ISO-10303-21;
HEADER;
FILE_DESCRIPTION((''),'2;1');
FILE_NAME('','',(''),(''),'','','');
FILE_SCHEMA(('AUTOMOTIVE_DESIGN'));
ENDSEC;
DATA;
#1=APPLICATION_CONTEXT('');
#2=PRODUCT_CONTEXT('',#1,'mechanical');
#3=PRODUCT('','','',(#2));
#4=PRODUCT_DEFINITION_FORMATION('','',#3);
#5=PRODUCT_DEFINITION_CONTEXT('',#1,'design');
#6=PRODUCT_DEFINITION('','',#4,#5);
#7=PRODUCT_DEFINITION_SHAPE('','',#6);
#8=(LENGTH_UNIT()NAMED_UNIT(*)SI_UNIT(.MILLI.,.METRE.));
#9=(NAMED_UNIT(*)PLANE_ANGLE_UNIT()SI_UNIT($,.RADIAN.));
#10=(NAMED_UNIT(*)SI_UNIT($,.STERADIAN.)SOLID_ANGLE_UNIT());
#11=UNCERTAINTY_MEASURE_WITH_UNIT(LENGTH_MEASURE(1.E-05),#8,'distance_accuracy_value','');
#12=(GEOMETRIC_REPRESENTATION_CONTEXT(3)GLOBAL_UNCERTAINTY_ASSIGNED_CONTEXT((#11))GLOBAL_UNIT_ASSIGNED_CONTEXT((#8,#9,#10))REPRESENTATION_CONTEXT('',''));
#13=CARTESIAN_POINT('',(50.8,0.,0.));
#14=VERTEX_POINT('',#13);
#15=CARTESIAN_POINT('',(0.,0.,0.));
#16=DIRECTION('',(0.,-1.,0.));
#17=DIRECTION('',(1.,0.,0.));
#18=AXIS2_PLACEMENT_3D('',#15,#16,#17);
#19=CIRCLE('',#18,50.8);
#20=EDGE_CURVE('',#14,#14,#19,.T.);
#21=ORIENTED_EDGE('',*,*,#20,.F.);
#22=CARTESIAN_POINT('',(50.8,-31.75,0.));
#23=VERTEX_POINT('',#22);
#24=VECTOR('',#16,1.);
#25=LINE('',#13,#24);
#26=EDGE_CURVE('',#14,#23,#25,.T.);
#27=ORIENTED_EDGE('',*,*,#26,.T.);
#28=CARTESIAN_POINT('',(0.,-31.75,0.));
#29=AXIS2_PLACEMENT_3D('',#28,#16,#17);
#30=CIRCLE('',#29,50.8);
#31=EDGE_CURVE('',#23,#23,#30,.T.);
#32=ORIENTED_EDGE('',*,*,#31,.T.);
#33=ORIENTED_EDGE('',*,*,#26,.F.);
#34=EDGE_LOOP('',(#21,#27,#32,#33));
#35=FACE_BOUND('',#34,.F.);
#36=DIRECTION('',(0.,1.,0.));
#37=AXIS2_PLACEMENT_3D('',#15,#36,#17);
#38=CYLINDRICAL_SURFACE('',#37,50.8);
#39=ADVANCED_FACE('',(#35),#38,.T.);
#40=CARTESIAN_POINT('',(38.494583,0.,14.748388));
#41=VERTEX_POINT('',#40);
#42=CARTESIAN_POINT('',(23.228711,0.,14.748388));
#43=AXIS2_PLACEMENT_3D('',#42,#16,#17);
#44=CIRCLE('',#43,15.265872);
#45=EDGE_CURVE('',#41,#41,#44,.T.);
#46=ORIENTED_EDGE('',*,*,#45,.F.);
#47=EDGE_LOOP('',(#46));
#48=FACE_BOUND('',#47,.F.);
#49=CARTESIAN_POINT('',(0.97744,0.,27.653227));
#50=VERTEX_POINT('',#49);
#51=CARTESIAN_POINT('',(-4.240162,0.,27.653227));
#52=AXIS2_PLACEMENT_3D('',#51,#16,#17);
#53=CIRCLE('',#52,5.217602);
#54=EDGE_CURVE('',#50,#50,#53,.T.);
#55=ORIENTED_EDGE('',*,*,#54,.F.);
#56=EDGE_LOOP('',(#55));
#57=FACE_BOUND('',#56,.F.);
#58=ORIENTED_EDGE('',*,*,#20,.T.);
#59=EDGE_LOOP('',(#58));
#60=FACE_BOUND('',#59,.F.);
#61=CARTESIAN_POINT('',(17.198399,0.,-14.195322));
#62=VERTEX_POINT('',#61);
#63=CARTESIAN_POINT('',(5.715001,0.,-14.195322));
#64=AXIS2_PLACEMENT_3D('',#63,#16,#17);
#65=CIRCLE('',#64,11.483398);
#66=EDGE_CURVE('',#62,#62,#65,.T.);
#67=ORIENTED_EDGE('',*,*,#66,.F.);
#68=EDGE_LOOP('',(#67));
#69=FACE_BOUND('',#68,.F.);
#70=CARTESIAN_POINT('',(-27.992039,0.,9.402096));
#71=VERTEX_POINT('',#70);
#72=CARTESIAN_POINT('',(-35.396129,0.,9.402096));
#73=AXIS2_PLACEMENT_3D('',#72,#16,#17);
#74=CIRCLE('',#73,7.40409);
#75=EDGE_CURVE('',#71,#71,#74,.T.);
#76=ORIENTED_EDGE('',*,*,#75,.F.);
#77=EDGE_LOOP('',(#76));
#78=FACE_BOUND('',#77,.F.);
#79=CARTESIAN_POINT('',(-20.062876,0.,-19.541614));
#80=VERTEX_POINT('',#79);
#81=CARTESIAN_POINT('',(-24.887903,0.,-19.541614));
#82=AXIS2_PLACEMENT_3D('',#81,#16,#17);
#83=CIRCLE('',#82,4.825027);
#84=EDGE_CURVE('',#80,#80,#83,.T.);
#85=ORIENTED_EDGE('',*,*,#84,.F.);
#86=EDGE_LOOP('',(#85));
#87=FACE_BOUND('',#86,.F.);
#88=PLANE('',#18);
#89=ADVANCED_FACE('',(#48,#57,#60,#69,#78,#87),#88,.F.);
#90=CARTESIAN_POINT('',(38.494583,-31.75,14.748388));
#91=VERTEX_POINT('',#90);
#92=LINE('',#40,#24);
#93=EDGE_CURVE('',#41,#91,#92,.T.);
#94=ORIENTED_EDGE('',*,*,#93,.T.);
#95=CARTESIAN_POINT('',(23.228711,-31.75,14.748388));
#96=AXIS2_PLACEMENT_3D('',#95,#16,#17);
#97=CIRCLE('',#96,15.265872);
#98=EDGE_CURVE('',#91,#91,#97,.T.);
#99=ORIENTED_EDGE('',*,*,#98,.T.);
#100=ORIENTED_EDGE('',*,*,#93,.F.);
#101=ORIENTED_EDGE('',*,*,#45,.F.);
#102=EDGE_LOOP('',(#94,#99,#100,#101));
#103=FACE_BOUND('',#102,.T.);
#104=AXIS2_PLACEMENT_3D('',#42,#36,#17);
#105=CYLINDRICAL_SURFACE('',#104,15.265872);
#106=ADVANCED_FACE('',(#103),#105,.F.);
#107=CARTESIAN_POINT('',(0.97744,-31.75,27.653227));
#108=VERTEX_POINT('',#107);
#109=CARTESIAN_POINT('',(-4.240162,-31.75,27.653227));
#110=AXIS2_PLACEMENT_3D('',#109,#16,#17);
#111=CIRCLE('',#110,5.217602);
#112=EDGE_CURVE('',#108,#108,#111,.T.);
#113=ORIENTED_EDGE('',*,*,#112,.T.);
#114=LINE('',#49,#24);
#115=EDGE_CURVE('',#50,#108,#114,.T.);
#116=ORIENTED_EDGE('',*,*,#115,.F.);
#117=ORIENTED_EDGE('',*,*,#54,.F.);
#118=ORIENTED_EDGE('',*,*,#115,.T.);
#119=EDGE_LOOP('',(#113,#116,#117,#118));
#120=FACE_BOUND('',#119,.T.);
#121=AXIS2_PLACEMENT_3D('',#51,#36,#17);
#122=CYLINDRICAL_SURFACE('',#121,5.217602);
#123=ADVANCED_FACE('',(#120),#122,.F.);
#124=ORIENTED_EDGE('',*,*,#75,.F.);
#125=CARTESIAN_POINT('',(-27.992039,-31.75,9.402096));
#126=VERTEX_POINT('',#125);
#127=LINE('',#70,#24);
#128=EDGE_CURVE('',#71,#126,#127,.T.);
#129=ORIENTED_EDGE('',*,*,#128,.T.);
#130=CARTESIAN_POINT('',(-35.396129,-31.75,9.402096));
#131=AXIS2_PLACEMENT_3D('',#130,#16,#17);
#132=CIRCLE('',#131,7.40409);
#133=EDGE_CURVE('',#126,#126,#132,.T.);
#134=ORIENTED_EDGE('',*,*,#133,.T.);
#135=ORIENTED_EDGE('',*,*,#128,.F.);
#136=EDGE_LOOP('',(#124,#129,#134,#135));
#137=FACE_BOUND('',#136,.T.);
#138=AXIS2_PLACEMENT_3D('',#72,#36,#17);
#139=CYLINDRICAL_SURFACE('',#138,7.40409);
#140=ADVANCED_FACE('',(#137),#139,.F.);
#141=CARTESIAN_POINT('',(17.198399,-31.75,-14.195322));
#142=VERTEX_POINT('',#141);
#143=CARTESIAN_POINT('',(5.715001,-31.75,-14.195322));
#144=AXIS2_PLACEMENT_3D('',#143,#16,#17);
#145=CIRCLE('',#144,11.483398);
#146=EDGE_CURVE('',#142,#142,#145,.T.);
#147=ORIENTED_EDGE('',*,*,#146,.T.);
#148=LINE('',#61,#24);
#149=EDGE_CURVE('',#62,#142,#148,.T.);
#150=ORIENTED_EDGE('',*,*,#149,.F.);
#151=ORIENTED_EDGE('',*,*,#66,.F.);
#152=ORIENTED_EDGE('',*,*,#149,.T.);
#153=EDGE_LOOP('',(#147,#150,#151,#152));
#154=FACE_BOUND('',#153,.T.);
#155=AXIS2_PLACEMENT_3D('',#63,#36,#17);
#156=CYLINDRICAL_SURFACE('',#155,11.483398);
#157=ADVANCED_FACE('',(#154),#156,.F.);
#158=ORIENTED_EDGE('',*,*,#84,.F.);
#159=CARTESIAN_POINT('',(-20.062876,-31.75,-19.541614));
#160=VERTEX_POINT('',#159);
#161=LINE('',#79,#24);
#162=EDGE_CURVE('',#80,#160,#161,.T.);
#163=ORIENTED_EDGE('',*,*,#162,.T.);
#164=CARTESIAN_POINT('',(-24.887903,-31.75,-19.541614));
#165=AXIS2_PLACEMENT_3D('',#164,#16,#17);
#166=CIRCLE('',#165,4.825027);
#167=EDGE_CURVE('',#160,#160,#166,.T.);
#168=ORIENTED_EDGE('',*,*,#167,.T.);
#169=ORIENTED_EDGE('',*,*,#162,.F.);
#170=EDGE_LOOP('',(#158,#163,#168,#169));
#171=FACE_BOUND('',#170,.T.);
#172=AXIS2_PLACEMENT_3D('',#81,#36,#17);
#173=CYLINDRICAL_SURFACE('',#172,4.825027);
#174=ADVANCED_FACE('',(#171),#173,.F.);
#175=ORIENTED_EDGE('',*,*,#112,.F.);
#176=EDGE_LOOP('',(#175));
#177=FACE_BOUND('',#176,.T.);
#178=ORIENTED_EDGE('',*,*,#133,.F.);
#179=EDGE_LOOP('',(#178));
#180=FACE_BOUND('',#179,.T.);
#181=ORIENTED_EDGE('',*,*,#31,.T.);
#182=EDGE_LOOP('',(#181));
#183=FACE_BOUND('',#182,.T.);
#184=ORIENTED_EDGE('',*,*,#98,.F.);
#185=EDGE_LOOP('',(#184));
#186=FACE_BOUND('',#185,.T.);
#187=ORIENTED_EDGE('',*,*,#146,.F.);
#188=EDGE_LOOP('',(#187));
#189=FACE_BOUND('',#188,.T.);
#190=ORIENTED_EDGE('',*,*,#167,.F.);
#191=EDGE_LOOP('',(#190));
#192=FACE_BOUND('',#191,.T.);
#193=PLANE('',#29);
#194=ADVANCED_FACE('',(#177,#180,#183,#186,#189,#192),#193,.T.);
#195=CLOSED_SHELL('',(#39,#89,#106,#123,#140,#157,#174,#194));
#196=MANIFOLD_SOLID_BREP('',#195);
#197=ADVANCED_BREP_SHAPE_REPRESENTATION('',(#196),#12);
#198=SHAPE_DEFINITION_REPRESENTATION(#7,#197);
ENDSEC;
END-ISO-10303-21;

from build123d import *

# Parameters (mm, degrees)
F0_R     = 50.8
F0_R_2   = 4.825027
F0_R_3   = 11.483398
F0_R_4   = 7.40409
F0_R_5   = 5.217602
F0_R_6   = 15.265872
F1_DEPTH = 31.75


with BuildPart() as f1:
    # F0 (on Front) → F1 (new body)
    with BuildSketch(Plane.XZ):
        Circle(F0_R)
        with Locations((-24.887903, -19.541614)):
            Circle(F0_R_2, mode=Mode.SUBTRACT)
        with Locations((5.715001, -14.195322)):
            Circle(F0_R_3, mode=Mode.SUBTRACT)
        with Locations((-35.396129, 9.402096)):
            Circle(F0_R_4, mode=Mode.SUBTRACT)
        with Locations((-4.240162, 27.653227)):
            Circle(F0_R_5, mode=Mode.SUBTRACT)
        with Locations((23.228711, 14.748388)):
            Circle(F0_R_6, mode=Mode.SUBTRACT)
    extrude(amount=F1_DEPTH)


solid = f1.part
